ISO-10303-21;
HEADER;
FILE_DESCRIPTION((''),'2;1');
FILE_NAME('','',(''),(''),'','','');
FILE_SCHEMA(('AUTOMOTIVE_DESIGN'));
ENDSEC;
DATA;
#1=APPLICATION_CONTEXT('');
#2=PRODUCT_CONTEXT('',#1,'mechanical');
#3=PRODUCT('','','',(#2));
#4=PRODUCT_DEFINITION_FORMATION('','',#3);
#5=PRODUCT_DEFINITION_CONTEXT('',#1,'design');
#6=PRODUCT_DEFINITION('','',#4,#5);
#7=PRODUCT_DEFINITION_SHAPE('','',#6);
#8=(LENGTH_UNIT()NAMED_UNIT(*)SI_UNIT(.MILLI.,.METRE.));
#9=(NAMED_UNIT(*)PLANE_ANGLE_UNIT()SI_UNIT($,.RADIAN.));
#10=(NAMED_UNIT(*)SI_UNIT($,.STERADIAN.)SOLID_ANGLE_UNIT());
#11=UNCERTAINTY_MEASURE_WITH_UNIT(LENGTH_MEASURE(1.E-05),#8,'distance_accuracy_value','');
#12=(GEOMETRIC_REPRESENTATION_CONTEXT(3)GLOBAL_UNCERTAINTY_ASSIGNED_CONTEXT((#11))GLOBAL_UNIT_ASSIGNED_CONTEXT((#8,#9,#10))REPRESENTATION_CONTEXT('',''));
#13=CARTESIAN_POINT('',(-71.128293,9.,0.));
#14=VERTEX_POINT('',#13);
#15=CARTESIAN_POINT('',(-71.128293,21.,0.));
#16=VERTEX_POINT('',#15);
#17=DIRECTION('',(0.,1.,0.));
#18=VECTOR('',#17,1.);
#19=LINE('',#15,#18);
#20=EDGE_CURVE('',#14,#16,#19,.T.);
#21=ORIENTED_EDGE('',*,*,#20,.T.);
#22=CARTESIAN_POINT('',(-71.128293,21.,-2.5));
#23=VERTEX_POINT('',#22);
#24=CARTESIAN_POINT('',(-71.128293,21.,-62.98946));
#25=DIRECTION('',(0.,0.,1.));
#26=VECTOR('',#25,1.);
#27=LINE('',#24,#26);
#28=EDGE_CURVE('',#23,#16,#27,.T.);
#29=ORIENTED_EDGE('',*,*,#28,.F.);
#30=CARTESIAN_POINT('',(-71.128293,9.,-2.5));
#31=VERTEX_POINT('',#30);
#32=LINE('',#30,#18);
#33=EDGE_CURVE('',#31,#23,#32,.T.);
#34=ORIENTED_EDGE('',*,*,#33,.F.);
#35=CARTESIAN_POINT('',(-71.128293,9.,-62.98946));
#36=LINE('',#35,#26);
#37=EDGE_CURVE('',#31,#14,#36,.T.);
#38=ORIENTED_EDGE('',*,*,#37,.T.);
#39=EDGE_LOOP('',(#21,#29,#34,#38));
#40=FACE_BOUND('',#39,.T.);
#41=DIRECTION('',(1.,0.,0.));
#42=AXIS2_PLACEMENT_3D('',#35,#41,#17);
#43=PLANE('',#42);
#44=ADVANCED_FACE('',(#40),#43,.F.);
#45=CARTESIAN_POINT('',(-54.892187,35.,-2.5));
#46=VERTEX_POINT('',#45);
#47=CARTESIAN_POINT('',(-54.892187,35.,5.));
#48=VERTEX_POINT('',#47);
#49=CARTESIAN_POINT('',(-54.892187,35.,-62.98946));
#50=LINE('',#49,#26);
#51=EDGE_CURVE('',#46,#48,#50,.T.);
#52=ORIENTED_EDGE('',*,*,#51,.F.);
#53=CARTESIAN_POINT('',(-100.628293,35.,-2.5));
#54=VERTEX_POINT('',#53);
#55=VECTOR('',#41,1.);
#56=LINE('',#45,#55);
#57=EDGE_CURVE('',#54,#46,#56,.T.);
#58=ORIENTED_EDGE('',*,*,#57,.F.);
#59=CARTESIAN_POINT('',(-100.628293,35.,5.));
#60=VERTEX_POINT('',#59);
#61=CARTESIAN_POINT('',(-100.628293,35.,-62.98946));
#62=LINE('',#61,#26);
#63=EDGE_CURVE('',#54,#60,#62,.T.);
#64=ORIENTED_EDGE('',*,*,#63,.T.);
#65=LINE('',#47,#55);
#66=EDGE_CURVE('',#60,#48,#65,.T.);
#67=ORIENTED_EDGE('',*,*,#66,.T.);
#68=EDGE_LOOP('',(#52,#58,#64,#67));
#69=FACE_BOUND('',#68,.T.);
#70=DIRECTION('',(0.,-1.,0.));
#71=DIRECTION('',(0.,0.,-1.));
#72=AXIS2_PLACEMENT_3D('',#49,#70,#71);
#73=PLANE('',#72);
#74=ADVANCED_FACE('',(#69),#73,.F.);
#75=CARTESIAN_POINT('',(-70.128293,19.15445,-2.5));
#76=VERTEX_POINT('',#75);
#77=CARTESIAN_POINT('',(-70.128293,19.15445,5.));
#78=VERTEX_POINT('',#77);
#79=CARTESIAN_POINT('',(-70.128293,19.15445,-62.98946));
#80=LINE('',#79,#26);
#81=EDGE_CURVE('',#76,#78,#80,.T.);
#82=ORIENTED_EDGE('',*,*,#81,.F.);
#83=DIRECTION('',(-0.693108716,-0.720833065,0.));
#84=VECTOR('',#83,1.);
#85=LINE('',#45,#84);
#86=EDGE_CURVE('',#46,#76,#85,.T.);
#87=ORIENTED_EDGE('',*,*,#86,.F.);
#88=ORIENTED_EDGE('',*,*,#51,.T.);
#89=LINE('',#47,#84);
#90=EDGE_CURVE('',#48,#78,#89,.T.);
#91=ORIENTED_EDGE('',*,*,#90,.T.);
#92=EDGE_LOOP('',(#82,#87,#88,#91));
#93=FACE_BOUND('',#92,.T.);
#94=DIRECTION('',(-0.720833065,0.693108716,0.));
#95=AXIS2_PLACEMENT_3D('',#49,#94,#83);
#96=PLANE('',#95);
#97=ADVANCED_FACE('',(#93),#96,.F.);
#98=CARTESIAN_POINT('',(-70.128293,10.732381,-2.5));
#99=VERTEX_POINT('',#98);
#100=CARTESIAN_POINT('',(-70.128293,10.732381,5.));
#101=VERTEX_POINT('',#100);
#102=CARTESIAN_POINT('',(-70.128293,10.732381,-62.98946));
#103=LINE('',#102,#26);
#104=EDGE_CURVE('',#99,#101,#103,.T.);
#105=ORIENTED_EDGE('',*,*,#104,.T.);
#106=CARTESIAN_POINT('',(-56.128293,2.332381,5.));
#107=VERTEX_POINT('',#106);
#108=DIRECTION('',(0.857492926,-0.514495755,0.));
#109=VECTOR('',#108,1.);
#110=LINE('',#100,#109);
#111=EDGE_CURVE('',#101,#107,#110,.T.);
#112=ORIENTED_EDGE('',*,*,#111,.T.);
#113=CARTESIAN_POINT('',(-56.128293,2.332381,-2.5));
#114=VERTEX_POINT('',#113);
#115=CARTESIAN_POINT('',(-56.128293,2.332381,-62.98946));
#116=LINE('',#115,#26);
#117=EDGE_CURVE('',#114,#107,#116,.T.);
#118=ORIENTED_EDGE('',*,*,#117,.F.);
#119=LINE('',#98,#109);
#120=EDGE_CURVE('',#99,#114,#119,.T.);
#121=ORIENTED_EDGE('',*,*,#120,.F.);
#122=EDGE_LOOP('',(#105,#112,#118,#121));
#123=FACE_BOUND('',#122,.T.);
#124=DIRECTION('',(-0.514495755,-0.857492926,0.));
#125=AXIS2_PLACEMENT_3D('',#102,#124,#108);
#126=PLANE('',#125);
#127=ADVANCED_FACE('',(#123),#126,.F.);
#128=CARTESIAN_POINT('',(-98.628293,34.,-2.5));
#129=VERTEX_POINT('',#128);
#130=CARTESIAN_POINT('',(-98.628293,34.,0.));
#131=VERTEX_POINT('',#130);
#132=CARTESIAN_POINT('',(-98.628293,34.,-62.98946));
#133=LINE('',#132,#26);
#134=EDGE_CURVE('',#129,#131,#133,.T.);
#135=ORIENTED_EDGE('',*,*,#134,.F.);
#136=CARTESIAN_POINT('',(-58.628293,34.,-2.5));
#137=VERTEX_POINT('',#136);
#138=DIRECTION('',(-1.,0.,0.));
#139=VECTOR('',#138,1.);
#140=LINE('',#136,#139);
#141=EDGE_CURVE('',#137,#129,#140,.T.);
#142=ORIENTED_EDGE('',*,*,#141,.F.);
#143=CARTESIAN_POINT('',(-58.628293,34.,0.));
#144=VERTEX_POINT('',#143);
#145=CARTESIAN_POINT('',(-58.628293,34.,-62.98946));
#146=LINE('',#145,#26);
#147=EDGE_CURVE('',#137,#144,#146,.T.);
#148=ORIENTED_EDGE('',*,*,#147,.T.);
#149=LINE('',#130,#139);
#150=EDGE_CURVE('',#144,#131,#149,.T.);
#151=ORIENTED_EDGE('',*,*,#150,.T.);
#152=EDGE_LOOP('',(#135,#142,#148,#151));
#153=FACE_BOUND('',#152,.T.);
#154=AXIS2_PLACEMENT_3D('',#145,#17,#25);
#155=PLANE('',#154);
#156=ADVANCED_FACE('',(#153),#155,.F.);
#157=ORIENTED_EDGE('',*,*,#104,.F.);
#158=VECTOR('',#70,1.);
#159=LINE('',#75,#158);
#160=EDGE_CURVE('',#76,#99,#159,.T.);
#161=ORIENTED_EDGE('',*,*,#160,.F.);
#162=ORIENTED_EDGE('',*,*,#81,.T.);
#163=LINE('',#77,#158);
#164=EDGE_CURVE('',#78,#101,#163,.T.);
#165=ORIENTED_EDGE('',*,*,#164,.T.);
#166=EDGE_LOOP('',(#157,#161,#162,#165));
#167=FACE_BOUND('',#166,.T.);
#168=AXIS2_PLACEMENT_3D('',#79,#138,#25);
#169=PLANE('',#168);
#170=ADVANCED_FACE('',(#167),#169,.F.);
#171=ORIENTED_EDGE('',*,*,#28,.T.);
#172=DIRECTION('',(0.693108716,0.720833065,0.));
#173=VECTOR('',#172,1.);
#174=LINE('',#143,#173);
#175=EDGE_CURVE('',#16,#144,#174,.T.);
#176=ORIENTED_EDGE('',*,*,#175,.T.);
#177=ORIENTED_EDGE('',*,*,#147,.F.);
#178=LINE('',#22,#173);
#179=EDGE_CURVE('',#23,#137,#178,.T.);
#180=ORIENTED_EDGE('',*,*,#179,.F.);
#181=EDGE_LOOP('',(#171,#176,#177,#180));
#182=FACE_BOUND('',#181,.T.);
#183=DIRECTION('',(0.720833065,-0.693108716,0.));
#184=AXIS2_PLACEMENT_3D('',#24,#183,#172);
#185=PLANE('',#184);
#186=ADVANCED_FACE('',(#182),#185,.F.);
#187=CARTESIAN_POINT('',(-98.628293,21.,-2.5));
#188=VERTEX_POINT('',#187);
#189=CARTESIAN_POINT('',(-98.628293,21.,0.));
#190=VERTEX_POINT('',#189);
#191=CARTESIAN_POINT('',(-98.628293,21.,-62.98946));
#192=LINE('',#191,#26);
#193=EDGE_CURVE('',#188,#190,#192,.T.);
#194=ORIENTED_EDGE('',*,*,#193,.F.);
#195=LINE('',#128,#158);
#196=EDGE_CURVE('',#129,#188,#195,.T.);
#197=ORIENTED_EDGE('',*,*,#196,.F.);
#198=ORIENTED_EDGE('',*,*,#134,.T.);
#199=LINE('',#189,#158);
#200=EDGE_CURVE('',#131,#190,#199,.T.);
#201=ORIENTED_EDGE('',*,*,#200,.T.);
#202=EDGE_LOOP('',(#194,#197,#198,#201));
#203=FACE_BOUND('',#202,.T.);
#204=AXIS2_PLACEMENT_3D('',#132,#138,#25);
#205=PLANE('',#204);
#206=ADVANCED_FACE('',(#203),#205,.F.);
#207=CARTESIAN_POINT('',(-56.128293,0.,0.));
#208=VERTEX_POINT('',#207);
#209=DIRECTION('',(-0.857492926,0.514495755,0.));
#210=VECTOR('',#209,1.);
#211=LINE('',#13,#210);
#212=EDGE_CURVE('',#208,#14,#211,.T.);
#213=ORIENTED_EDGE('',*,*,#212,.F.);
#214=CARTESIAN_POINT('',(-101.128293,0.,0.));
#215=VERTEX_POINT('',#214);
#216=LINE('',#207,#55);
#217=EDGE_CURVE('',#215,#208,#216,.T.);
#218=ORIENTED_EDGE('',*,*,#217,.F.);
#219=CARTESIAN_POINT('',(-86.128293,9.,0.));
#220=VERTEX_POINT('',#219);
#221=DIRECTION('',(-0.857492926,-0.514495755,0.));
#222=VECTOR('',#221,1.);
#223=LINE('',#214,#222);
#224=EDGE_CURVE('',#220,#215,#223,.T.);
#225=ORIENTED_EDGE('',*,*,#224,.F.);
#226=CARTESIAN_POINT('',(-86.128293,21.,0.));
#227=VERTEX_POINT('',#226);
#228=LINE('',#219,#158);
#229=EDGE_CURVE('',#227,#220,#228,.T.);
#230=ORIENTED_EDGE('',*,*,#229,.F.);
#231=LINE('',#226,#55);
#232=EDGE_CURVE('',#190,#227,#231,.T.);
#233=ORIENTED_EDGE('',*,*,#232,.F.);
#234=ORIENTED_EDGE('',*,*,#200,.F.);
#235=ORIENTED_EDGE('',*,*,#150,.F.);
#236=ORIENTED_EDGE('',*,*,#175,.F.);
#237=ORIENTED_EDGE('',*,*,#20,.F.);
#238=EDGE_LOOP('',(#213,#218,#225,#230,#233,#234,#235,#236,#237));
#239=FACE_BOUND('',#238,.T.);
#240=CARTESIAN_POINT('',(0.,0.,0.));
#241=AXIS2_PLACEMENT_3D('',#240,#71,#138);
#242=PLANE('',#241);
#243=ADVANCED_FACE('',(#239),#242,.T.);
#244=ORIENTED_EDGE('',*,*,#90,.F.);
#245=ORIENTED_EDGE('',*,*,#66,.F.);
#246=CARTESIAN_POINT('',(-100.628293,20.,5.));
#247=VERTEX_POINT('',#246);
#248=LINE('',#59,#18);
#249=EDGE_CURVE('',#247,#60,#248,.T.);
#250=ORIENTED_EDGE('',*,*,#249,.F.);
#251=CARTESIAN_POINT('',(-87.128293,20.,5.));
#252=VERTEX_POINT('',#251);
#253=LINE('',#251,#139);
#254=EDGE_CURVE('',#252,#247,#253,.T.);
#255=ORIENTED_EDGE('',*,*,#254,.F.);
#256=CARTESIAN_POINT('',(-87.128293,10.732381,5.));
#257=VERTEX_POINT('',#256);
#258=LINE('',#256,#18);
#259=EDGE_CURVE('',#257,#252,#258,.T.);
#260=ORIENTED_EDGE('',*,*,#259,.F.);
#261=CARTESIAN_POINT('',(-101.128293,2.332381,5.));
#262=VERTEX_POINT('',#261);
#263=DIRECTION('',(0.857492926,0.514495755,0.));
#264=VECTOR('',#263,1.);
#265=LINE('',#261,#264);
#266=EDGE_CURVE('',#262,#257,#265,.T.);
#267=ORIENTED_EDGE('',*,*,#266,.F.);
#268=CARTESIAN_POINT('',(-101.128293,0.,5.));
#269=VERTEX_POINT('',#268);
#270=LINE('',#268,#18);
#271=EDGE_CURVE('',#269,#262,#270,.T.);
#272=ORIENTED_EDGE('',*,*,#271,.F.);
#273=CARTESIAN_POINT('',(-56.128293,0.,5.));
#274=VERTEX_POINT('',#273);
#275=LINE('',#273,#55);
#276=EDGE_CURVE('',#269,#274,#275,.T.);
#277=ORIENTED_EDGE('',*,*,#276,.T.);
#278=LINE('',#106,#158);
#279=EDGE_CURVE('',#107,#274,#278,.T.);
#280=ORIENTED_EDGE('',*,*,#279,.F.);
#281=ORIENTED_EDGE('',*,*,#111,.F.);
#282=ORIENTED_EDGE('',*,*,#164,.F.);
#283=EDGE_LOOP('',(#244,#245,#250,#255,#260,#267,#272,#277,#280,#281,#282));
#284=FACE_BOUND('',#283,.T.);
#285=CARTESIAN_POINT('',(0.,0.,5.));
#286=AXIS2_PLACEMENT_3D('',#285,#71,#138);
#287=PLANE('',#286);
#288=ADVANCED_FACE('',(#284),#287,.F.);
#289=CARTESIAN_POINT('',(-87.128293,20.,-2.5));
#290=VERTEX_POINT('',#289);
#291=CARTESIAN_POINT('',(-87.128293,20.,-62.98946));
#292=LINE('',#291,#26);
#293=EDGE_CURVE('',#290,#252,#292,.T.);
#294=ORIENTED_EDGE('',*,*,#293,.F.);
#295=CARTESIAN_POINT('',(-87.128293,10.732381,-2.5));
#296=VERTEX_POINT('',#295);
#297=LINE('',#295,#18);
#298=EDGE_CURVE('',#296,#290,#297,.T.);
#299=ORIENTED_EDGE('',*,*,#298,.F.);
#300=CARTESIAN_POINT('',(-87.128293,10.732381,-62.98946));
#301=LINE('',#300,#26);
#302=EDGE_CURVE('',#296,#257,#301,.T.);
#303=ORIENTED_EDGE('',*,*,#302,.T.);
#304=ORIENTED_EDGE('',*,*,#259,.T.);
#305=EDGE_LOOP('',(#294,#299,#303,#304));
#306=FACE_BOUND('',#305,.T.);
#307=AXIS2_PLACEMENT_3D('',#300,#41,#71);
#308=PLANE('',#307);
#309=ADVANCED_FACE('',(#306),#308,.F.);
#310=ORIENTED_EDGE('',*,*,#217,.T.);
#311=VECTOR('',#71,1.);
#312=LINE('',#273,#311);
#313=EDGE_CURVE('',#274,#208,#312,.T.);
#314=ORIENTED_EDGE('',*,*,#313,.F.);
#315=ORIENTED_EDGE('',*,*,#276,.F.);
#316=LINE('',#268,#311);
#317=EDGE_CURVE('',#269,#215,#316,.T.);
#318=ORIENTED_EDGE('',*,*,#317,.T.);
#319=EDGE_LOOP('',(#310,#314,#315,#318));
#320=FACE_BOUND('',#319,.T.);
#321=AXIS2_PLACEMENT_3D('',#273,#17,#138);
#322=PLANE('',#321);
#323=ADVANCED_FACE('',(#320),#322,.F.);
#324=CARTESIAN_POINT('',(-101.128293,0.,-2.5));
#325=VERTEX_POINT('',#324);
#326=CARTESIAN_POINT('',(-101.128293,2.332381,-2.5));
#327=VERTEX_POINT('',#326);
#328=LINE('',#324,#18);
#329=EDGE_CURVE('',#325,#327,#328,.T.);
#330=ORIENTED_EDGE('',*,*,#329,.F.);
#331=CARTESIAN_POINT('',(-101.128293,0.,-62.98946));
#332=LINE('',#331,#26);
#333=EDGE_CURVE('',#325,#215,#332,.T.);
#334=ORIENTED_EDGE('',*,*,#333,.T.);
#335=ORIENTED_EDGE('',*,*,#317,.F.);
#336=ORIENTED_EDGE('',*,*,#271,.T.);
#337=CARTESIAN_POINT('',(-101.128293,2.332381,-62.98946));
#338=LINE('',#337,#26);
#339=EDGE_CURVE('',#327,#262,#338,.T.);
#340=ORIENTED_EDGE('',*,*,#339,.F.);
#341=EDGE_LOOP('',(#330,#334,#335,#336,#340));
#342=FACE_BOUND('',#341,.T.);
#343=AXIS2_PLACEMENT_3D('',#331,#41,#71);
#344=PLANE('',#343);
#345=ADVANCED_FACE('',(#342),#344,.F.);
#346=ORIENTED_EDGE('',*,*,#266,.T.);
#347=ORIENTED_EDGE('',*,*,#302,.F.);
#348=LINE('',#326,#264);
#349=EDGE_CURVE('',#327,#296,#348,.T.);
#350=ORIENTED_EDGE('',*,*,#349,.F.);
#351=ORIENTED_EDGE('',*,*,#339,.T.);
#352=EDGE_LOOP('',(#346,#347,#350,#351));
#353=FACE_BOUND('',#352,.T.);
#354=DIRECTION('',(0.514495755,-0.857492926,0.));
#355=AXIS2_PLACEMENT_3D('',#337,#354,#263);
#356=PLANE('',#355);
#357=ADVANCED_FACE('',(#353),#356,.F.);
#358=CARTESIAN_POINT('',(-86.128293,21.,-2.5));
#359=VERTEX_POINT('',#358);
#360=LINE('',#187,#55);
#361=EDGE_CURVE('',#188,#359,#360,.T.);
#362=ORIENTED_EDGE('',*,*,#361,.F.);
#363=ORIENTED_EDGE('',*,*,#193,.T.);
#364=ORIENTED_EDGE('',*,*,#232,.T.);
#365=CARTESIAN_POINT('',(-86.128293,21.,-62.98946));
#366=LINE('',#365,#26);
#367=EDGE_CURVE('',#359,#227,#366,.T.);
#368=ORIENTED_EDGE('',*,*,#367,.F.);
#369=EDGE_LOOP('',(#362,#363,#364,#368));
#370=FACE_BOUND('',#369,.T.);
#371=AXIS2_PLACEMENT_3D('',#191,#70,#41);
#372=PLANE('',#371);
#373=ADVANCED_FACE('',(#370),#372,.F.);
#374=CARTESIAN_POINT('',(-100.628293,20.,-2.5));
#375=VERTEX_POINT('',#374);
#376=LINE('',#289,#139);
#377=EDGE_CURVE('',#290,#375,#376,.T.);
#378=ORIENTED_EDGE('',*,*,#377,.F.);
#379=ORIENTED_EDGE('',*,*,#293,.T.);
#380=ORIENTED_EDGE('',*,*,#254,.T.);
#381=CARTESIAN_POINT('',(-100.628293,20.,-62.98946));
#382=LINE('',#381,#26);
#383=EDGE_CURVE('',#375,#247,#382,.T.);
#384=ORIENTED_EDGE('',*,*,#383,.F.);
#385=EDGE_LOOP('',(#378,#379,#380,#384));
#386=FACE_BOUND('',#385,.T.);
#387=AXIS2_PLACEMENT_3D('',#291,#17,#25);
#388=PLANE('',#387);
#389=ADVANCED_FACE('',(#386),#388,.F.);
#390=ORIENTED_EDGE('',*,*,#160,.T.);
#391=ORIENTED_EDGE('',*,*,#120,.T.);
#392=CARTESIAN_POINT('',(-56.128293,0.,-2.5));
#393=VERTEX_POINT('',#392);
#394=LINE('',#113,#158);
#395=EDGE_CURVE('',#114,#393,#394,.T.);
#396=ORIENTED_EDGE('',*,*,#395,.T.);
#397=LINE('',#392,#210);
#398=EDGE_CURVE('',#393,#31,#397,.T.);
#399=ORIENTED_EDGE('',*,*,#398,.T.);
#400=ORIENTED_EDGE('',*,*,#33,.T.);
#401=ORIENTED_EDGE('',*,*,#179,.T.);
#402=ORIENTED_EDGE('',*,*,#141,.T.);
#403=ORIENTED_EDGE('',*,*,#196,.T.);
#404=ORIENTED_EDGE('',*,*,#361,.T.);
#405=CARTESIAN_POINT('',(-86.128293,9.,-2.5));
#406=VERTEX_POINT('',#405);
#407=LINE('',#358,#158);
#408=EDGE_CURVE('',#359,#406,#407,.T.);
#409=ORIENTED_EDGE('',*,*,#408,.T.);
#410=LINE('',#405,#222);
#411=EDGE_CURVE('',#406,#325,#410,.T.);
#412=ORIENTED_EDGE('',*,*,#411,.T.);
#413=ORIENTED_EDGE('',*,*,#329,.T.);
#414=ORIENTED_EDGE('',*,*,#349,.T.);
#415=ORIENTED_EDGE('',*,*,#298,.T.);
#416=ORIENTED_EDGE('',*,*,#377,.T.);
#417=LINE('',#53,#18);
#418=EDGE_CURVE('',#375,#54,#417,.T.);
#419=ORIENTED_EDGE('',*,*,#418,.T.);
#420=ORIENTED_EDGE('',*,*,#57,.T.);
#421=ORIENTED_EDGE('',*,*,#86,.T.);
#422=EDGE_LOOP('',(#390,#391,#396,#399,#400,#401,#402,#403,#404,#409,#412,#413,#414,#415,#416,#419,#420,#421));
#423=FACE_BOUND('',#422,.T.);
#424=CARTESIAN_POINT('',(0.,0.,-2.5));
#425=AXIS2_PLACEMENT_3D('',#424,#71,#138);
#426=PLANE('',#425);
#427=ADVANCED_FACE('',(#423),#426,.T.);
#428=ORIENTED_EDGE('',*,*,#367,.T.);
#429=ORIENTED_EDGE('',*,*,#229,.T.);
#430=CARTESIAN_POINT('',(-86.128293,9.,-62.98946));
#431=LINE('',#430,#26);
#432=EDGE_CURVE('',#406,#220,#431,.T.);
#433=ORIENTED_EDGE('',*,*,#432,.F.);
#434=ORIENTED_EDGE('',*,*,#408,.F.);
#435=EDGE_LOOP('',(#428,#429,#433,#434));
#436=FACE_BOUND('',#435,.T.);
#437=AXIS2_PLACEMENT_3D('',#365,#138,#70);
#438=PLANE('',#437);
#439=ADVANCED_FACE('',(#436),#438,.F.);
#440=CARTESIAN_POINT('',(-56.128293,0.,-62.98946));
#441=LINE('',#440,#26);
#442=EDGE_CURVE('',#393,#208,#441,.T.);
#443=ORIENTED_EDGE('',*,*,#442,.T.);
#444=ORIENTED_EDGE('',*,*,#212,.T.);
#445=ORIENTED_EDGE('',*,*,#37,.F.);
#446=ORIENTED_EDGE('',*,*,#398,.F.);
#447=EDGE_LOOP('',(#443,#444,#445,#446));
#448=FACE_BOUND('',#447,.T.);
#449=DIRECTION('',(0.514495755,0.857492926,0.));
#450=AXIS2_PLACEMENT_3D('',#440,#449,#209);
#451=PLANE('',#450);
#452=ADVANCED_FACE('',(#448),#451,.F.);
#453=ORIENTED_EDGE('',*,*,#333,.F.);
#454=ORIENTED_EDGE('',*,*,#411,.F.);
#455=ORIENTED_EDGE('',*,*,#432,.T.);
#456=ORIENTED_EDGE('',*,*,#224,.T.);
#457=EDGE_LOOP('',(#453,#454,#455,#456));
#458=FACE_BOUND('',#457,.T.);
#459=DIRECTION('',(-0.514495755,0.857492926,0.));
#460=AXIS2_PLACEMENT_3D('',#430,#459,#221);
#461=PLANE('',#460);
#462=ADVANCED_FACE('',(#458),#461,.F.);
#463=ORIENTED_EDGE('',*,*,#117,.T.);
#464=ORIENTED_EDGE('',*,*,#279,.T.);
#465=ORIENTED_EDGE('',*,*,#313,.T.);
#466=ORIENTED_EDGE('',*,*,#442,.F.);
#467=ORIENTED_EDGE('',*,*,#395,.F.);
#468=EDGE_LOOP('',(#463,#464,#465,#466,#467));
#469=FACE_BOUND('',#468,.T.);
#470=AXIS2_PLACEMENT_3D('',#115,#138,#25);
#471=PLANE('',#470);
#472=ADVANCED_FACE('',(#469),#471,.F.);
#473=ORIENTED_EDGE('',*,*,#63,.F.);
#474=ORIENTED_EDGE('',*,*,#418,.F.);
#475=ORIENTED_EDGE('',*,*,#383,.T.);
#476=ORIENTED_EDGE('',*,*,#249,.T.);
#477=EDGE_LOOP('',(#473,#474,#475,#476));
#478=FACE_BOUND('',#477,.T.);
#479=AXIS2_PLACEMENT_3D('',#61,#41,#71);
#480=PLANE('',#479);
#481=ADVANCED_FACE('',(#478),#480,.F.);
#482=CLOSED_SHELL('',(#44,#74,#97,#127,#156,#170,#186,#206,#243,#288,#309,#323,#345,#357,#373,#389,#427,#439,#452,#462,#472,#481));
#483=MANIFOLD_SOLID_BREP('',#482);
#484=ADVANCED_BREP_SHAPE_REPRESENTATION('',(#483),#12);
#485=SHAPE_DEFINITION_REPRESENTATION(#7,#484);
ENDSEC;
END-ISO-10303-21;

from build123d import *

# Parameters (mm, degrees)
EXTRUDE_1_DEPTH = 5
EXTRUDE_2_DEPTH = 7.5


with BuildPart() as part:
    # 草图1 → 凸台-拉伸1 (new body)
    with BuildSketch(Plane.XY):
        Polygon((-101.128293069, 0), (-86.128293069, 9), (-86.128293069, 21), (-98.628293069, 21), (-98.628293069, 34), (-58.628293069, 34), (-71.128293069, 21), (-71.128293069, 9), (-56.128293069, 0), align=None)
    extrude(amount=EXTRUDE_1_DEPTH)

    # 草图2 → 凸台-拉伸2 (add)
    with BuildSketch(Plane(origin=(0, 0, 5), x_dir=(-1, 0, 0), z_dir=(0, 0, -1))):
        Polygon((54.8921871, 35), (70.128293069, 19.154449793), (70.128293069, 10.732380758), (56.128293069, 2.332380758), (56.128293069, 0), (71.128293069, 9), (71.128293069, 21), (58.628293069, 34), (98.628293069, 34), (98.628293069, 21), (86.128293069, 21), (86.128293069, 9), (101.128293069, 0), (101.128293069, 2.332380758), (87.128293069, 10.732380758), (87.128293069, 20), (100.628293069, 20), (100.628293069, 29), (100.628293069, 35), align=None)
    extrude(amount=EXTRUDE_2_DEPTH)


solid = part.part
